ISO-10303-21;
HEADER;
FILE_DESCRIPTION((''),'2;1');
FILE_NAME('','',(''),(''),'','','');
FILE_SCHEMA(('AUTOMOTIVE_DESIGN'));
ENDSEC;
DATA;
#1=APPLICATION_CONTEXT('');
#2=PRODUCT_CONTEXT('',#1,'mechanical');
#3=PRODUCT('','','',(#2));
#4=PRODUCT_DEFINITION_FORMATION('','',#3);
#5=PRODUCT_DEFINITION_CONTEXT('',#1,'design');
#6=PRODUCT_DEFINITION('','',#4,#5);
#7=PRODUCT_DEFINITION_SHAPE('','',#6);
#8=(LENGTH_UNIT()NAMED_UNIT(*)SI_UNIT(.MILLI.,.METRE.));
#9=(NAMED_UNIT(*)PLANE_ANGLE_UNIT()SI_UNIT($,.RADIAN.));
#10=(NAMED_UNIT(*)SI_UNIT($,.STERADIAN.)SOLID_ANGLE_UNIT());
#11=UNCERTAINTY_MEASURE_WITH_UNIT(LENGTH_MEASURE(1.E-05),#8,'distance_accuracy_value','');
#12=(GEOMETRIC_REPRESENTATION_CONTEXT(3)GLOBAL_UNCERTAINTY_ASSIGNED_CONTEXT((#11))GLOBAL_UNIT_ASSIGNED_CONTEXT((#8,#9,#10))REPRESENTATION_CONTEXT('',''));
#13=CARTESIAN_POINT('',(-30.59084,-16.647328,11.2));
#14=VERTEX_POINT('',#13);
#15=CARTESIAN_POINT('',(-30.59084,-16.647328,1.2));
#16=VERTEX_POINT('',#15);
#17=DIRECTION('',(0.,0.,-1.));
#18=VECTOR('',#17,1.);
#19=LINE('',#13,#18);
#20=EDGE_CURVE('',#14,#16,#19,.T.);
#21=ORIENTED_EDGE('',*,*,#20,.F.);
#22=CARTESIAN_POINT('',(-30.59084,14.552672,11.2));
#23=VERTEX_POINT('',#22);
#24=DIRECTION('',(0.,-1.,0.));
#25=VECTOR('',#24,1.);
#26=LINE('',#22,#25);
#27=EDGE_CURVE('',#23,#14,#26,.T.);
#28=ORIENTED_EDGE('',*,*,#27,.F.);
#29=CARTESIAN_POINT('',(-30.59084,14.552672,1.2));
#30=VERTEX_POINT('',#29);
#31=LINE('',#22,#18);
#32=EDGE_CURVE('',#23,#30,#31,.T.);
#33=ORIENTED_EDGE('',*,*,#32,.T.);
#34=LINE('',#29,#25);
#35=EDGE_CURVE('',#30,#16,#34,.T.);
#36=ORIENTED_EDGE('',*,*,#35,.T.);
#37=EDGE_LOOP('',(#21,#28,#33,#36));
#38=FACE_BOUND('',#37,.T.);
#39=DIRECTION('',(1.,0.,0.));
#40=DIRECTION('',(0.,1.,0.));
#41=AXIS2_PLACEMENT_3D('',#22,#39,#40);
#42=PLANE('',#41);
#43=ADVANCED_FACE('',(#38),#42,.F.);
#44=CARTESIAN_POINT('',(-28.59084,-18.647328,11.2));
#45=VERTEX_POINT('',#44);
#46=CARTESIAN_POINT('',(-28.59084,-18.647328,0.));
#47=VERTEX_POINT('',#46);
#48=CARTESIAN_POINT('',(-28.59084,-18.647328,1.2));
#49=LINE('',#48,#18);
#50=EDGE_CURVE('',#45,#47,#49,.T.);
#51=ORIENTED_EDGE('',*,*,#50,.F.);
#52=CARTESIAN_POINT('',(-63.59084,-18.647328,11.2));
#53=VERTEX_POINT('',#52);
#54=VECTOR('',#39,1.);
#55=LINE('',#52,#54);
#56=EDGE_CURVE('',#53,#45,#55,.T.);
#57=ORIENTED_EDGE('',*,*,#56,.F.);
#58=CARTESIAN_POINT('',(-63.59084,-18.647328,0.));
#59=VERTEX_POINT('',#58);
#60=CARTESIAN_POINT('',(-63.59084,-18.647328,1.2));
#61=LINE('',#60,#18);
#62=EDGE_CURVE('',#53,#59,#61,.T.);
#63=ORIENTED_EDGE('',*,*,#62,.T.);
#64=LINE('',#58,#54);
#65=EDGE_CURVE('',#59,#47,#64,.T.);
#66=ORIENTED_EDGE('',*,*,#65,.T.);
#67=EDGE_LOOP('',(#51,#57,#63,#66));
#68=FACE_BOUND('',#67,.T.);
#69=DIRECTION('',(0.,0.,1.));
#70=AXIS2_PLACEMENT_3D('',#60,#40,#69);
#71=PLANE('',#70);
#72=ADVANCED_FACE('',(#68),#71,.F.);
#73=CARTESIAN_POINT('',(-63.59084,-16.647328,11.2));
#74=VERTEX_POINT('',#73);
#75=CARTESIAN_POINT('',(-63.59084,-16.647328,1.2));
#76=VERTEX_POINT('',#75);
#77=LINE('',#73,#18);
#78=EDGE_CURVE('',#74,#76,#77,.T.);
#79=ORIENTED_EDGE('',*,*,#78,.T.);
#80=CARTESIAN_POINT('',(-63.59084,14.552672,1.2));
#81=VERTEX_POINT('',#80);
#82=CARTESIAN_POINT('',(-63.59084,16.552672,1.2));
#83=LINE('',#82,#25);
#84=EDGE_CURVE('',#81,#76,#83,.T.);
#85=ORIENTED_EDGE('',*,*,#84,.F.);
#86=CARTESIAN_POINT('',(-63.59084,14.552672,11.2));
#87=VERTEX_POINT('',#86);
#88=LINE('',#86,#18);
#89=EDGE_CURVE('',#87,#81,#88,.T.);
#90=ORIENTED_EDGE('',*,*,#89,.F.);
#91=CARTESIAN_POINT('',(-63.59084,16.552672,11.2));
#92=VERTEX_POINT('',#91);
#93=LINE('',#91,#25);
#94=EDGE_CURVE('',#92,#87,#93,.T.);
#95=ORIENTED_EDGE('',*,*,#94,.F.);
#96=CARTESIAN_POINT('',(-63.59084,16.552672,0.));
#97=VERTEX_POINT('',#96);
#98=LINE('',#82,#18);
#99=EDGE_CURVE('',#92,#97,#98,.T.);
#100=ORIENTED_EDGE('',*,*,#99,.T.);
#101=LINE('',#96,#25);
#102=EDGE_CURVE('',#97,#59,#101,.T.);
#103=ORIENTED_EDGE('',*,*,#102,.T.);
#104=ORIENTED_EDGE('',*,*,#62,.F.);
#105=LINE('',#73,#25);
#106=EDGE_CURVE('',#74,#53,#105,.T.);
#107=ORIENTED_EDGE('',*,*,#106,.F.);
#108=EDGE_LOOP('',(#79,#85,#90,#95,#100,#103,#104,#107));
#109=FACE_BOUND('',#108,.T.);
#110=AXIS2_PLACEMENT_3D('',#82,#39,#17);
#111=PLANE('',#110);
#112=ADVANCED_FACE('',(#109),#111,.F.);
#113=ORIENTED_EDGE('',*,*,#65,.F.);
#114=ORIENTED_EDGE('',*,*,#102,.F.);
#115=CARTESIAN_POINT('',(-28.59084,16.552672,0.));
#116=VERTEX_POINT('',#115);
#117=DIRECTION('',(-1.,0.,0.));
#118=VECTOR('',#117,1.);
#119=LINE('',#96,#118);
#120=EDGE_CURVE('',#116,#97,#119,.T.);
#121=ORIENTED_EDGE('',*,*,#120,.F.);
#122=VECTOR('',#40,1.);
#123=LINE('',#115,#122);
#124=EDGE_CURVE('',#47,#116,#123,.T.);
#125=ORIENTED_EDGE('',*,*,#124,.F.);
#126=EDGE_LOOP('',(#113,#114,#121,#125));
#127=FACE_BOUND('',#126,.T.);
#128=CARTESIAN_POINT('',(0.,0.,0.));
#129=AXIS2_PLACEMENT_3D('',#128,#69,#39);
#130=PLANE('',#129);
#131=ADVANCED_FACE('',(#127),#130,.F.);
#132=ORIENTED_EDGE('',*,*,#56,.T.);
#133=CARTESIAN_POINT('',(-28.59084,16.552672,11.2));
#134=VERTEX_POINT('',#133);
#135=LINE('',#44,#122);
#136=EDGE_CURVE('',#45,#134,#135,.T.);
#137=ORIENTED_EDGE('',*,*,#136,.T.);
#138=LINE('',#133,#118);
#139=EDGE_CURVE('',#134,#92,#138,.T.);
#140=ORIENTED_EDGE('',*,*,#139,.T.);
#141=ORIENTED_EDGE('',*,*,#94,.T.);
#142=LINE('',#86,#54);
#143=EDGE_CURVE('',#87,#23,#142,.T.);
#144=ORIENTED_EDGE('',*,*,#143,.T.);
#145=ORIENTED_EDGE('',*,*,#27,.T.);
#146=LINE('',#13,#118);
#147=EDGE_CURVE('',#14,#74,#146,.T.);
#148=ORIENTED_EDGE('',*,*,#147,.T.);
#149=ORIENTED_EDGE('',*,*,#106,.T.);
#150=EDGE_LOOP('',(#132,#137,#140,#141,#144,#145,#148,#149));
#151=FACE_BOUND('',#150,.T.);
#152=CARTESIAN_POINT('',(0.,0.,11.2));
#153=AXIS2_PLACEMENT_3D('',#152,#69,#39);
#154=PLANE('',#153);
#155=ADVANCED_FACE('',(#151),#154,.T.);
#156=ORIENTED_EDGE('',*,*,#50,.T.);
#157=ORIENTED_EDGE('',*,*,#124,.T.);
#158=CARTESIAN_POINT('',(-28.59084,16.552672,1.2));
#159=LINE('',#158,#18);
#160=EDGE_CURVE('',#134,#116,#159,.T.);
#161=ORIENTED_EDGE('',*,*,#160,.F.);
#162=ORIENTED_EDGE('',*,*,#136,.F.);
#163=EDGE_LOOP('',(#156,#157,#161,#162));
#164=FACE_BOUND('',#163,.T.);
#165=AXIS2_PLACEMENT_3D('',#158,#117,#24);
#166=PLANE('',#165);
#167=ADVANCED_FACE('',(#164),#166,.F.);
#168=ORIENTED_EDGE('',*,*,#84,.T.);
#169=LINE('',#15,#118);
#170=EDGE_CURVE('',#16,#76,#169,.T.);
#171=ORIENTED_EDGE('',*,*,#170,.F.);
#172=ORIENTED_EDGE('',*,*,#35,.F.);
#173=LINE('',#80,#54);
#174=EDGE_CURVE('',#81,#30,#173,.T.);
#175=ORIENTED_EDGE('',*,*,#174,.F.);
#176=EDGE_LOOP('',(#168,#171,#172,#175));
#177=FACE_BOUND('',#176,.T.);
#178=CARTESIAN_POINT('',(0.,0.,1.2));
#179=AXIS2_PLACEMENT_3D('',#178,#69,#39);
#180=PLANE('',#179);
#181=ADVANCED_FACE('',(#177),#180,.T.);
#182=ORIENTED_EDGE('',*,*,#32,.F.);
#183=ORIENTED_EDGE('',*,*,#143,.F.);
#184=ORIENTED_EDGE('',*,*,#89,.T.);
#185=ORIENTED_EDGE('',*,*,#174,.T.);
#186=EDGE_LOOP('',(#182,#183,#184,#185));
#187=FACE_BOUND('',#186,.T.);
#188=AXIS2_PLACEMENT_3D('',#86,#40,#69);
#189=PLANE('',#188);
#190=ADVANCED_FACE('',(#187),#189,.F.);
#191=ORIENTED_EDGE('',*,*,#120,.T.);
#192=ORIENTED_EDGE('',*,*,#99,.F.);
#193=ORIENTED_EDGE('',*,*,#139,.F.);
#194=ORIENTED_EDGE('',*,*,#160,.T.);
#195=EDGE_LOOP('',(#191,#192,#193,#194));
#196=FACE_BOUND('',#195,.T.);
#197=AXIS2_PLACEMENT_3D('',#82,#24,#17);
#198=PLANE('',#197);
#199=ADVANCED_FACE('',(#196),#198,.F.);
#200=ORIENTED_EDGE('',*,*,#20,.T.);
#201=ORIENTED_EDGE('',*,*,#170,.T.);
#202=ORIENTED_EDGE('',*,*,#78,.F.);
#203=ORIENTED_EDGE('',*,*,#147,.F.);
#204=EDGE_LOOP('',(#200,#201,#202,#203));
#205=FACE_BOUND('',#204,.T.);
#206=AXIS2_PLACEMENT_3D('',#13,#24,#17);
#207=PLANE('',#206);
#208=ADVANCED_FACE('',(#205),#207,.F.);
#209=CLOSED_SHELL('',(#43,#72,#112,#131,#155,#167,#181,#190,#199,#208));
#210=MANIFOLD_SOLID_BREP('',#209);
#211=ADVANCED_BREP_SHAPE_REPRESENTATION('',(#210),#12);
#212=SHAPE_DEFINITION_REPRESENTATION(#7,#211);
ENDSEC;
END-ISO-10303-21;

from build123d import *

# Parameters (mm, degrees)
CROQUIS1_W              = 35
CROQUIS1_H              = 35.2
SALIENTE_EXTRUIR1_DEPTH = 1.2
SALIENTE_EXTRUIR2_DEPTH = 10


with BuildPart() as part:
    # Croquis1 → Saliente-Extruir1 (new body)
    with BuildSketch(Plane.XY):
        with Locations((-46.090839695, -1.047328244)):
            Rectangle(CROQUIS1_W, CROQUIS1_H)
    extrude(amount=SALIENTE_EXTRUIR1_DEPTH)

    # Croquis2 → Saliente-Extruir2 (add)
    with BuildSketch(Plane.XY.offset(1.2)):
        Polygon((-63.590839695, 16.552671756), (-63.590839695, 14.552671756), (-30.590839695, 14.552671756), (-30.590839695, -16.647328244), (-63.590839695, -16.647328244), (-63.590839695, -18.647328244), (-28.590839695, -18.647328244), (-28.590839695, 16.552671756), align=None)
    extrude(amount=SALIENTE_EXTRUIR2_DEPTH)


solid = part.part
